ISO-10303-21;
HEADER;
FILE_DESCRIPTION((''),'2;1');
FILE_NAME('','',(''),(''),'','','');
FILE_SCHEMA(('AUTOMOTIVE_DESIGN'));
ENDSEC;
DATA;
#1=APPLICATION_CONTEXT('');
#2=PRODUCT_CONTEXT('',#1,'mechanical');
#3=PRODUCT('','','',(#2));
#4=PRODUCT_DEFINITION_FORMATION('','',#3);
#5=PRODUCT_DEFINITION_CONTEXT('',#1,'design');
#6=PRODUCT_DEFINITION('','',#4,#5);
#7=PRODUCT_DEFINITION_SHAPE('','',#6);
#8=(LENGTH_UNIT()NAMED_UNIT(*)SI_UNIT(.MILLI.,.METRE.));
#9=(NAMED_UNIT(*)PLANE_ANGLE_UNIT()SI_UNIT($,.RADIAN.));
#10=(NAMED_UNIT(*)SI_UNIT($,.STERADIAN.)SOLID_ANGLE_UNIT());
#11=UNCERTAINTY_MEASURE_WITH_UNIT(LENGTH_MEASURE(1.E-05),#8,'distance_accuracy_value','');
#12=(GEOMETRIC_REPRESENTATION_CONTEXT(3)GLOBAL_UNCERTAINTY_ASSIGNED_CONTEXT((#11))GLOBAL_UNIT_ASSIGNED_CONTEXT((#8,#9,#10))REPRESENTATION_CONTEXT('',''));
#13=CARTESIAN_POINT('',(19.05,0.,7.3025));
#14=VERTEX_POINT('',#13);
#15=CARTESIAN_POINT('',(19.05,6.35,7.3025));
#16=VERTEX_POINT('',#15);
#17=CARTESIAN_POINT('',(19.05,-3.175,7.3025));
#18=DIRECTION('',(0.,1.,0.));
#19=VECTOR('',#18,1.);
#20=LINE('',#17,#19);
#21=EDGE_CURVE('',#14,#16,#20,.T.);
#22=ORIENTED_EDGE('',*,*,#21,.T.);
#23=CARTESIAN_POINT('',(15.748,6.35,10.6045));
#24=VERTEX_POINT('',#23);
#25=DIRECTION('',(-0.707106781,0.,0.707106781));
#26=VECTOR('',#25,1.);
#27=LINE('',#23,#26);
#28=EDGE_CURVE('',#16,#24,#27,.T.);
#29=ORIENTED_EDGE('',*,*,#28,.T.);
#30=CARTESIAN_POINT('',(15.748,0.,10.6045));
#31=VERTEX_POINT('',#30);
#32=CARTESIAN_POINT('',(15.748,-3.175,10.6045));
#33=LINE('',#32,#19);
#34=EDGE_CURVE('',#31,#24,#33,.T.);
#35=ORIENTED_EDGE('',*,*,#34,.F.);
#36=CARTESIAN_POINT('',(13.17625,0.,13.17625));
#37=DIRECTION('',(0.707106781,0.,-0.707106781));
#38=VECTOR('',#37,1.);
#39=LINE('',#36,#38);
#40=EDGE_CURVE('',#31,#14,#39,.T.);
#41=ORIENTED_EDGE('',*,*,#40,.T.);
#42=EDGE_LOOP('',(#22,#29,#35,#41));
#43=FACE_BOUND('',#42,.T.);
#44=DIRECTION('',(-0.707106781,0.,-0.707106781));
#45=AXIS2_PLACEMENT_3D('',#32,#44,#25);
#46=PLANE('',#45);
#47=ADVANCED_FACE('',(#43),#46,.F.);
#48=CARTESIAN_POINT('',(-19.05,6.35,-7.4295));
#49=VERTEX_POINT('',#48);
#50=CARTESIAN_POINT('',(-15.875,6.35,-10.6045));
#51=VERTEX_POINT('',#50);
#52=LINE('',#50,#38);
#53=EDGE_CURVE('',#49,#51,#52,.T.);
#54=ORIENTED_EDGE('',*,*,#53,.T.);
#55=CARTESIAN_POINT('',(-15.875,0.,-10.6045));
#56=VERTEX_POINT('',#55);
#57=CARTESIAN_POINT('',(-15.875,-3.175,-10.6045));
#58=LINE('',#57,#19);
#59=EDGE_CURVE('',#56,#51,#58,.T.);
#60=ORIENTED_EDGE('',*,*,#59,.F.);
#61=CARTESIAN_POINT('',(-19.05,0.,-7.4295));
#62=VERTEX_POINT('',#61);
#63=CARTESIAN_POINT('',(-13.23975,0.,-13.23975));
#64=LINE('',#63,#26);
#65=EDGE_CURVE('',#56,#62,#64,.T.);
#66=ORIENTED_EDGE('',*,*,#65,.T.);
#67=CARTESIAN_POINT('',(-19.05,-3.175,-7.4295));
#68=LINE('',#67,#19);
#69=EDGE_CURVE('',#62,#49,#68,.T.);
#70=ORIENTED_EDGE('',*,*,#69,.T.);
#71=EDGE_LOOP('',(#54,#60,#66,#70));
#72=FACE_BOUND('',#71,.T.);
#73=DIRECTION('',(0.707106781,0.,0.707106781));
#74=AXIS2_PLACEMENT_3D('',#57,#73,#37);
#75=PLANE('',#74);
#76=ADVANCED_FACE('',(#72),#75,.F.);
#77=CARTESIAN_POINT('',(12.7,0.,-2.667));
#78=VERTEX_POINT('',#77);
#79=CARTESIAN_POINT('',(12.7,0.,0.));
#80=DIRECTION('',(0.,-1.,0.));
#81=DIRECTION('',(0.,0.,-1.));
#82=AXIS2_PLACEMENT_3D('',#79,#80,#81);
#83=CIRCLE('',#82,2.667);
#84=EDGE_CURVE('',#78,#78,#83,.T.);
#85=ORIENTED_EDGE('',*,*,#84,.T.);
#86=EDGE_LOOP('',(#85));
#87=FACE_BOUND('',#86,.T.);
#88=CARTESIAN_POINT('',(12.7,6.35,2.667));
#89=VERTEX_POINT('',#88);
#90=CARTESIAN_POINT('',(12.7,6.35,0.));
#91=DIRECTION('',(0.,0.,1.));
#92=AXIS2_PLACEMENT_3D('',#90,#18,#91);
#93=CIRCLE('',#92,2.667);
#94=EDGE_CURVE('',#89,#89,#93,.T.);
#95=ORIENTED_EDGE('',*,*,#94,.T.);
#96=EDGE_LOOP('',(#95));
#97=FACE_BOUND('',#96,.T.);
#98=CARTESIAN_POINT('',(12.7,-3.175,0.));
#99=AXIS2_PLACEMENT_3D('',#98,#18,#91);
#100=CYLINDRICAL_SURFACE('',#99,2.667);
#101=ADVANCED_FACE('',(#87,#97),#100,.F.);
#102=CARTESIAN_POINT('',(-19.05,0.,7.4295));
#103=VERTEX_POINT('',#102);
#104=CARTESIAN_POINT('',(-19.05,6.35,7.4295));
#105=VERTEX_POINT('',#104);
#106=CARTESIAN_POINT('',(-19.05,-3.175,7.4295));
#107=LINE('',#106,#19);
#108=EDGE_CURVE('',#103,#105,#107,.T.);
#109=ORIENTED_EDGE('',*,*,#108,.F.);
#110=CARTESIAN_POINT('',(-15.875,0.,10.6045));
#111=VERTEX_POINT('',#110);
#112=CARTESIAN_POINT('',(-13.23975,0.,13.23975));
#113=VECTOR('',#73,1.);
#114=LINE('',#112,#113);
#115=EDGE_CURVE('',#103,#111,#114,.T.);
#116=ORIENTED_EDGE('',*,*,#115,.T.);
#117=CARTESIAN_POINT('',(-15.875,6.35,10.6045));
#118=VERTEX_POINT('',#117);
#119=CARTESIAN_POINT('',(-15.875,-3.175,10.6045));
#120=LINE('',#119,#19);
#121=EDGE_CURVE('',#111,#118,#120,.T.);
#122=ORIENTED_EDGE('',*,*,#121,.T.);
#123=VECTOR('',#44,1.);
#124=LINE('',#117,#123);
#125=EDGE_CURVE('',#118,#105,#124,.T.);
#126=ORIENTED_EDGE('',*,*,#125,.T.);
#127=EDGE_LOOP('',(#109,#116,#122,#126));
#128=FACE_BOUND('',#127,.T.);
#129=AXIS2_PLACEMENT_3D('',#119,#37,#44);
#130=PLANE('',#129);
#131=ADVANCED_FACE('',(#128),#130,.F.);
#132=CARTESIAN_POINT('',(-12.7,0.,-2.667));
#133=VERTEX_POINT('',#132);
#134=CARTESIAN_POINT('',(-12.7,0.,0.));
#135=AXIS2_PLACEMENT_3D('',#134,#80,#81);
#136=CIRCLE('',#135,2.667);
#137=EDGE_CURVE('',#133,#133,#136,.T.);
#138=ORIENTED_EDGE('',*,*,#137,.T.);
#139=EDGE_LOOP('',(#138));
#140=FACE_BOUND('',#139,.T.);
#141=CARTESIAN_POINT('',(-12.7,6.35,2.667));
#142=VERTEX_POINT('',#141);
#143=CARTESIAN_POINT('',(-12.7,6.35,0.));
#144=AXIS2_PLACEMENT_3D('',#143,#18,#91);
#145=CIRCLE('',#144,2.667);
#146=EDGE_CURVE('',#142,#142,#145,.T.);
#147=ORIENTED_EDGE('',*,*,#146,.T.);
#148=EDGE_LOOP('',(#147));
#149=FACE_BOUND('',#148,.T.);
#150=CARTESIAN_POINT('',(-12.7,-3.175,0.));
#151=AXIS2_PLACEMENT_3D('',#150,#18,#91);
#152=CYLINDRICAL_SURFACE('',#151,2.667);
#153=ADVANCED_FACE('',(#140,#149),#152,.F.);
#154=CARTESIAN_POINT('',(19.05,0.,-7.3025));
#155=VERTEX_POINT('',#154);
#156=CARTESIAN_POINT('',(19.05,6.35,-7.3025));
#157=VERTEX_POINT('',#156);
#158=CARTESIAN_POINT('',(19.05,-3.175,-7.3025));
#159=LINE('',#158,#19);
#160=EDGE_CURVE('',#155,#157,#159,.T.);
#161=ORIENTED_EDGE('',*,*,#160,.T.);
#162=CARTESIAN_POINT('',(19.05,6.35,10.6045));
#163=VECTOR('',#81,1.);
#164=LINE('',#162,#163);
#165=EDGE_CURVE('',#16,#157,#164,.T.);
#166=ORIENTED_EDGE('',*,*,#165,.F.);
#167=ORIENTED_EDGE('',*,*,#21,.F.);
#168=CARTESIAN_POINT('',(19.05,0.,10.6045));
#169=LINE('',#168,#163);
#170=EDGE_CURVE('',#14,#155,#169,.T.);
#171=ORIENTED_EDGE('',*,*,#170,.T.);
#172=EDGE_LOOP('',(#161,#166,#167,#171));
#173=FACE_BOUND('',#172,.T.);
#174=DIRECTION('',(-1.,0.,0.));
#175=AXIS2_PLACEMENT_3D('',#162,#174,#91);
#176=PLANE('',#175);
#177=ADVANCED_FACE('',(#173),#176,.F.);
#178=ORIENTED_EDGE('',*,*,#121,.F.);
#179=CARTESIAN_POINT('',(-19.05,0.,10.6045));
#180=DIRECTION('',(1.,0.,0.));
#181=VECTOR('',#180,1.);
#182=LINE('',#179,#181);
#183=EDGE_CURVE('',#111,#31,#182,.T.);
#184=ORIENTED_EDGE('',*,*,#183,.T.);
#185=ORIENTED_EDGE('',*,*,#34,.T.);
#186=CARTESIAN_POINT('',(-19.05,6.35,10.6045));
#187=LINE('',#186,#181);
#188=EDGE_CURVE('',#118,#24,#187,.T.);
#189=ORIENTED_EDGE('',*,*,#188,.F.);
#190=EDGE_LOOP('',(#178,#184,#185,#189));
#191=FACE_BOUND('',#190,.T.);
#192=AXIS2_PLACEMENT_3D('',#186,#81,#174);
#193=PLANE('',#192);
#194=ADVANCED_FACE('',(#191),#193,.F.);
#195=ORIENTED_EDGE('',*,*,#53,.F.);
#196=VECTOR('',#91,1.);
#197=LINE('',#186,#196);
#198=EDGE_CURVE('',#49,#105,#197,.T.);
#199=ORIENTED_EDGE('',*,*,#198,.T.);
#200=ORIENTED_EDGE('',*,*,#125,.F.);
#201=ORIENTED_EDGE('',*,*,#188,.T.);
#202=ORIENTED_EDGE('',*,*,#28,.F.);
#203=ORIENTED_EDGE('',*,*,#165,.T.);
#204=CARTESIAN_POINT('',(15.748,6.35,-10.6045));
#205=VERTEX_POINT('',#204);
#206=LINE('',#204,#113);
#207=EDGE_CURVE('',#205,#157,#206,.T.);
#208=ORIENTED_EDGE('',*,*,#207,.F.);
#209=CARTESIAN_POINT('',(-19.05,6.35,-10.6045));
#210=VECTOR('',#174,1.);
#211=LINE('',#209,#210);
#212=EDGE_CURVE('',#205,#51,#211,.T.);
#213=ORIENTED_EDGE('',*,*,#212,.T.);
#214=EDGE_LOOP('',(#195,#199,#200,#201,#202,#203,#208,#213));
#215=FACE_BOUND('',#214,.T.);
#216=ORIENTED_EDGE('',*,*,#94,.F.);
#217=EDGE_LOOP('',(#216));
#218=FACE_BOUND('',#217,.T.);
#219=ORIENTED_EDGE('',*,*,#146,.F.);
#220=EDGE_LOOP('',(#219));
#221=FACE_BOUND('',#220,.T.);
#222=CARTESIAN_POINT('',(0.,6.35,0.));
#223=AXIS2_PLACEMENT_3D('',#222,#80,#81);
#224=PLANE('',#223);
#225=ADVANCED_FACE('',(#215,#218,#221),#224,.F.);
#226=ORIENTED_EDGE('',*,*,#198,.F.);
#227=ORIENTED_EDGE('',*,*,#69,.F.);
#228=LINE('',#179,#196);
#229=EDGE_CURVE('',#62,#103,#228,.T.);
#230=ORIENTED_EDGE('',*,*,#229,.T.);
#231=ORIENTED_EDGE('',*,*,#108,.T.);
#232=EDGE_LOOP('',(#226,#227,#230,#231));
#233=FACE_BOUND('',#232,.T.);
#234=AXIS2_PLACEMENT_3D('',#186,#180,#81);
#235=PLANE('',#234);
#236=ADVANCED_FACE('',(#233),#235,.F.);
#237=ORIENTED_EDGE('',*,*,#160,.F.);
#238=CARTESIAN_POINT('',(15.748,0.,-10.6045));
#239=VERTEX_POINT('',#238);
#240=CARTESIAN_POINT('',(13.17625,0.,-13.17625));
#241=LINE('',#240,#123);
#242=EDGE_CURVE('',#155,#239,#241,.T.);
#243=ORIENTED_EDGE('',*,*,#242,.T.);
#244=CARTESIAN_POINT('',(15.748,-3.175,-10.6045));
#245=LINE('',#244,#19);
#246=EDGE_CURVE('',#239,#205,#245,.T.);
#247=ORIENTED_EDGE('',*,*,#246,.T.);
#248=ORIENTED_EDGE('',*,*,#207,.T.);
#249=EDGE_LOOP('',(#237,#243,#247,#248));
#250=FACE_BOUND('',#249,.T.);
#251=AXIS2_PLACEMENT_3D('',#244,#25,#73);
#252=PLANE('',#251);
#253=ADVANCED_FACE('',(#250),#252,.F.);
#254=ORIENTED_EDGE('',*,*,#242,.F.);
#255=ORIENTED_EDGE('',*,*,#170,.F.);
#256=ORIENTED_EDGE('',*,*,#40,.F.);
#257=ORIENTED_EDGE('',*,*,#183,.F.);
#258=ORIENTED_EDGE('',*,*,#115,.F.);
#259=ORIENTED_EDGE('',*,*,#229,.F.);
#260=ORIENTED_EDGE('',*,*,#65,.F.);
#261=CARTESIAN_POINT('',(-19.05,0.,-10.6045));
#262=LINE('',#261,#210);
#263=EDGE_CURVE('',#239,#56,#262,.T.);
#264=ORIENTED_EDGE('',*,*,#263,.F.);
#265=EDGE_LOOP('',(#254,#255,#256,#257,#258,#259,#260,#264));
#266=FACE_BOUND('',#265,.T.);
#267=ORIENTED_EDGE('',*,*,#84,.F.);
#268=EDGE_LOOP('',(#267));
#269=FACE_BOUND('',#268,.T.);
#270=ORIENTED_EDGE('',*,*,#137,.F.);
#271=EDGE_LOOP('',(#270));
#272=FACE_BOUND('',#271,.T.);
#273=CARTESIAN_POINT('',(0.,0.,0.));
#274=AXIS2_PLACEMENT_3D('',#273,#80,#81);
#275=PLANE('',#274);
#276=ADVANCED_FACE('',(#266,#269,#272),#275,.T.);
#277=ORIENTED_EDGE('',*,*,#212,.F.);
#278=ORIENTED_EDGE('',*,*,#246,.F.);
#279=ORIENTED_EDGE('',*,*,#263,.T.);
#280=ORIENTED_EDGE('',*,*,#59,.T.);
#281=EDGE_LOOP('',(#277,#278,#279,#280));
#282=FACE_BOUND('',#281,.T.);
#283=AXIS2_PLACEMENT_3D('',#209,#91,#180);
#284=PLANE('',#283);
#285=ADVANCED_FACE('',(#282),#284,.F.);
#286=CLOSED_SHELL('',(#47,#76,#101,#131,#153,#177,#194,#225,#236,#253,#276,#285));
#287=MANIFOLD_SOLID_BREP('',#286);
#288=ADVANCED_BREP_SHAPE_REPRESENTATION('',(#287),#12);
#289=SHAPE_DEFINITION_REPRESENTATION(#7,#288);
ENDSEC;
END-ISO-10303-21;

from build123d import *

# Parameters (mm, degrees)
SKETCH1_W           = 38.1
SKETCH1_H           = 21.209
BOSS_EXTRUDE1_DEPTH = 6.35
SKETCH2_R           = 2.667
CUT_EXTRUDE1_DEPTH  = 9.525
CUT_EXTRUDE2_DEPTH  = 9.525


with BuildPart() as part:
    # Sketch1 → Boss-Extrude1 (new body)
    with BuildSketch(Plane(origin=(0, 0, 0), x_dir=(1, 0, 0), z_dir=(0, 1, 0))):
        Rectangle(SKETCH1_W, SKETCH1_H)
    extrude(amount=BOSS_EXTRUDE1_DEPTH)

    # Sketch2 → Cut-Extrude1 (cut)
    with BuildSketch(Plane(origin=(0, 6.35, 0), x_dir=(1, 0, 0), z_dir=(0, 1, 0))):
        with Locations((-12.7, 0)):
            Circle(SKETCH2_R)
        with Locations((12.7, 0)):
            Circle(SKETCH2_R)
    extrude(amount=-CUT_EXTRUDE1_DEPTH, mode=Mode.SUBTRACT)

    # Sketch3 → Cut-Extrude2 (cut)
    with BuildSketch(Plane(origin=(0, 6.35, 0), x_dir=(1, 0, 0), z_dir=(0, 1, 0))):
        Polygon((-19.05, 10.6045), (-15.875, 10.6045), (-19.05, 7.4295), align=None)
        Polygon((19.05, 10.6045), (15.748, 10.6045), (19.05, 7.3025), align=None)
        Polygon((19.05, -10.6045), (15.748, -10.6045), (19.05, -7.3025), align=None)
        Polygon((-19.05, -10.6045), (-15.875, -10.6045), (-19.05, -7.4295), align=None)
    extrude(amount=-CUT_EXTRUDE2_DEPTH, mode=Mode.SUBTRACT)


solid = part.part
